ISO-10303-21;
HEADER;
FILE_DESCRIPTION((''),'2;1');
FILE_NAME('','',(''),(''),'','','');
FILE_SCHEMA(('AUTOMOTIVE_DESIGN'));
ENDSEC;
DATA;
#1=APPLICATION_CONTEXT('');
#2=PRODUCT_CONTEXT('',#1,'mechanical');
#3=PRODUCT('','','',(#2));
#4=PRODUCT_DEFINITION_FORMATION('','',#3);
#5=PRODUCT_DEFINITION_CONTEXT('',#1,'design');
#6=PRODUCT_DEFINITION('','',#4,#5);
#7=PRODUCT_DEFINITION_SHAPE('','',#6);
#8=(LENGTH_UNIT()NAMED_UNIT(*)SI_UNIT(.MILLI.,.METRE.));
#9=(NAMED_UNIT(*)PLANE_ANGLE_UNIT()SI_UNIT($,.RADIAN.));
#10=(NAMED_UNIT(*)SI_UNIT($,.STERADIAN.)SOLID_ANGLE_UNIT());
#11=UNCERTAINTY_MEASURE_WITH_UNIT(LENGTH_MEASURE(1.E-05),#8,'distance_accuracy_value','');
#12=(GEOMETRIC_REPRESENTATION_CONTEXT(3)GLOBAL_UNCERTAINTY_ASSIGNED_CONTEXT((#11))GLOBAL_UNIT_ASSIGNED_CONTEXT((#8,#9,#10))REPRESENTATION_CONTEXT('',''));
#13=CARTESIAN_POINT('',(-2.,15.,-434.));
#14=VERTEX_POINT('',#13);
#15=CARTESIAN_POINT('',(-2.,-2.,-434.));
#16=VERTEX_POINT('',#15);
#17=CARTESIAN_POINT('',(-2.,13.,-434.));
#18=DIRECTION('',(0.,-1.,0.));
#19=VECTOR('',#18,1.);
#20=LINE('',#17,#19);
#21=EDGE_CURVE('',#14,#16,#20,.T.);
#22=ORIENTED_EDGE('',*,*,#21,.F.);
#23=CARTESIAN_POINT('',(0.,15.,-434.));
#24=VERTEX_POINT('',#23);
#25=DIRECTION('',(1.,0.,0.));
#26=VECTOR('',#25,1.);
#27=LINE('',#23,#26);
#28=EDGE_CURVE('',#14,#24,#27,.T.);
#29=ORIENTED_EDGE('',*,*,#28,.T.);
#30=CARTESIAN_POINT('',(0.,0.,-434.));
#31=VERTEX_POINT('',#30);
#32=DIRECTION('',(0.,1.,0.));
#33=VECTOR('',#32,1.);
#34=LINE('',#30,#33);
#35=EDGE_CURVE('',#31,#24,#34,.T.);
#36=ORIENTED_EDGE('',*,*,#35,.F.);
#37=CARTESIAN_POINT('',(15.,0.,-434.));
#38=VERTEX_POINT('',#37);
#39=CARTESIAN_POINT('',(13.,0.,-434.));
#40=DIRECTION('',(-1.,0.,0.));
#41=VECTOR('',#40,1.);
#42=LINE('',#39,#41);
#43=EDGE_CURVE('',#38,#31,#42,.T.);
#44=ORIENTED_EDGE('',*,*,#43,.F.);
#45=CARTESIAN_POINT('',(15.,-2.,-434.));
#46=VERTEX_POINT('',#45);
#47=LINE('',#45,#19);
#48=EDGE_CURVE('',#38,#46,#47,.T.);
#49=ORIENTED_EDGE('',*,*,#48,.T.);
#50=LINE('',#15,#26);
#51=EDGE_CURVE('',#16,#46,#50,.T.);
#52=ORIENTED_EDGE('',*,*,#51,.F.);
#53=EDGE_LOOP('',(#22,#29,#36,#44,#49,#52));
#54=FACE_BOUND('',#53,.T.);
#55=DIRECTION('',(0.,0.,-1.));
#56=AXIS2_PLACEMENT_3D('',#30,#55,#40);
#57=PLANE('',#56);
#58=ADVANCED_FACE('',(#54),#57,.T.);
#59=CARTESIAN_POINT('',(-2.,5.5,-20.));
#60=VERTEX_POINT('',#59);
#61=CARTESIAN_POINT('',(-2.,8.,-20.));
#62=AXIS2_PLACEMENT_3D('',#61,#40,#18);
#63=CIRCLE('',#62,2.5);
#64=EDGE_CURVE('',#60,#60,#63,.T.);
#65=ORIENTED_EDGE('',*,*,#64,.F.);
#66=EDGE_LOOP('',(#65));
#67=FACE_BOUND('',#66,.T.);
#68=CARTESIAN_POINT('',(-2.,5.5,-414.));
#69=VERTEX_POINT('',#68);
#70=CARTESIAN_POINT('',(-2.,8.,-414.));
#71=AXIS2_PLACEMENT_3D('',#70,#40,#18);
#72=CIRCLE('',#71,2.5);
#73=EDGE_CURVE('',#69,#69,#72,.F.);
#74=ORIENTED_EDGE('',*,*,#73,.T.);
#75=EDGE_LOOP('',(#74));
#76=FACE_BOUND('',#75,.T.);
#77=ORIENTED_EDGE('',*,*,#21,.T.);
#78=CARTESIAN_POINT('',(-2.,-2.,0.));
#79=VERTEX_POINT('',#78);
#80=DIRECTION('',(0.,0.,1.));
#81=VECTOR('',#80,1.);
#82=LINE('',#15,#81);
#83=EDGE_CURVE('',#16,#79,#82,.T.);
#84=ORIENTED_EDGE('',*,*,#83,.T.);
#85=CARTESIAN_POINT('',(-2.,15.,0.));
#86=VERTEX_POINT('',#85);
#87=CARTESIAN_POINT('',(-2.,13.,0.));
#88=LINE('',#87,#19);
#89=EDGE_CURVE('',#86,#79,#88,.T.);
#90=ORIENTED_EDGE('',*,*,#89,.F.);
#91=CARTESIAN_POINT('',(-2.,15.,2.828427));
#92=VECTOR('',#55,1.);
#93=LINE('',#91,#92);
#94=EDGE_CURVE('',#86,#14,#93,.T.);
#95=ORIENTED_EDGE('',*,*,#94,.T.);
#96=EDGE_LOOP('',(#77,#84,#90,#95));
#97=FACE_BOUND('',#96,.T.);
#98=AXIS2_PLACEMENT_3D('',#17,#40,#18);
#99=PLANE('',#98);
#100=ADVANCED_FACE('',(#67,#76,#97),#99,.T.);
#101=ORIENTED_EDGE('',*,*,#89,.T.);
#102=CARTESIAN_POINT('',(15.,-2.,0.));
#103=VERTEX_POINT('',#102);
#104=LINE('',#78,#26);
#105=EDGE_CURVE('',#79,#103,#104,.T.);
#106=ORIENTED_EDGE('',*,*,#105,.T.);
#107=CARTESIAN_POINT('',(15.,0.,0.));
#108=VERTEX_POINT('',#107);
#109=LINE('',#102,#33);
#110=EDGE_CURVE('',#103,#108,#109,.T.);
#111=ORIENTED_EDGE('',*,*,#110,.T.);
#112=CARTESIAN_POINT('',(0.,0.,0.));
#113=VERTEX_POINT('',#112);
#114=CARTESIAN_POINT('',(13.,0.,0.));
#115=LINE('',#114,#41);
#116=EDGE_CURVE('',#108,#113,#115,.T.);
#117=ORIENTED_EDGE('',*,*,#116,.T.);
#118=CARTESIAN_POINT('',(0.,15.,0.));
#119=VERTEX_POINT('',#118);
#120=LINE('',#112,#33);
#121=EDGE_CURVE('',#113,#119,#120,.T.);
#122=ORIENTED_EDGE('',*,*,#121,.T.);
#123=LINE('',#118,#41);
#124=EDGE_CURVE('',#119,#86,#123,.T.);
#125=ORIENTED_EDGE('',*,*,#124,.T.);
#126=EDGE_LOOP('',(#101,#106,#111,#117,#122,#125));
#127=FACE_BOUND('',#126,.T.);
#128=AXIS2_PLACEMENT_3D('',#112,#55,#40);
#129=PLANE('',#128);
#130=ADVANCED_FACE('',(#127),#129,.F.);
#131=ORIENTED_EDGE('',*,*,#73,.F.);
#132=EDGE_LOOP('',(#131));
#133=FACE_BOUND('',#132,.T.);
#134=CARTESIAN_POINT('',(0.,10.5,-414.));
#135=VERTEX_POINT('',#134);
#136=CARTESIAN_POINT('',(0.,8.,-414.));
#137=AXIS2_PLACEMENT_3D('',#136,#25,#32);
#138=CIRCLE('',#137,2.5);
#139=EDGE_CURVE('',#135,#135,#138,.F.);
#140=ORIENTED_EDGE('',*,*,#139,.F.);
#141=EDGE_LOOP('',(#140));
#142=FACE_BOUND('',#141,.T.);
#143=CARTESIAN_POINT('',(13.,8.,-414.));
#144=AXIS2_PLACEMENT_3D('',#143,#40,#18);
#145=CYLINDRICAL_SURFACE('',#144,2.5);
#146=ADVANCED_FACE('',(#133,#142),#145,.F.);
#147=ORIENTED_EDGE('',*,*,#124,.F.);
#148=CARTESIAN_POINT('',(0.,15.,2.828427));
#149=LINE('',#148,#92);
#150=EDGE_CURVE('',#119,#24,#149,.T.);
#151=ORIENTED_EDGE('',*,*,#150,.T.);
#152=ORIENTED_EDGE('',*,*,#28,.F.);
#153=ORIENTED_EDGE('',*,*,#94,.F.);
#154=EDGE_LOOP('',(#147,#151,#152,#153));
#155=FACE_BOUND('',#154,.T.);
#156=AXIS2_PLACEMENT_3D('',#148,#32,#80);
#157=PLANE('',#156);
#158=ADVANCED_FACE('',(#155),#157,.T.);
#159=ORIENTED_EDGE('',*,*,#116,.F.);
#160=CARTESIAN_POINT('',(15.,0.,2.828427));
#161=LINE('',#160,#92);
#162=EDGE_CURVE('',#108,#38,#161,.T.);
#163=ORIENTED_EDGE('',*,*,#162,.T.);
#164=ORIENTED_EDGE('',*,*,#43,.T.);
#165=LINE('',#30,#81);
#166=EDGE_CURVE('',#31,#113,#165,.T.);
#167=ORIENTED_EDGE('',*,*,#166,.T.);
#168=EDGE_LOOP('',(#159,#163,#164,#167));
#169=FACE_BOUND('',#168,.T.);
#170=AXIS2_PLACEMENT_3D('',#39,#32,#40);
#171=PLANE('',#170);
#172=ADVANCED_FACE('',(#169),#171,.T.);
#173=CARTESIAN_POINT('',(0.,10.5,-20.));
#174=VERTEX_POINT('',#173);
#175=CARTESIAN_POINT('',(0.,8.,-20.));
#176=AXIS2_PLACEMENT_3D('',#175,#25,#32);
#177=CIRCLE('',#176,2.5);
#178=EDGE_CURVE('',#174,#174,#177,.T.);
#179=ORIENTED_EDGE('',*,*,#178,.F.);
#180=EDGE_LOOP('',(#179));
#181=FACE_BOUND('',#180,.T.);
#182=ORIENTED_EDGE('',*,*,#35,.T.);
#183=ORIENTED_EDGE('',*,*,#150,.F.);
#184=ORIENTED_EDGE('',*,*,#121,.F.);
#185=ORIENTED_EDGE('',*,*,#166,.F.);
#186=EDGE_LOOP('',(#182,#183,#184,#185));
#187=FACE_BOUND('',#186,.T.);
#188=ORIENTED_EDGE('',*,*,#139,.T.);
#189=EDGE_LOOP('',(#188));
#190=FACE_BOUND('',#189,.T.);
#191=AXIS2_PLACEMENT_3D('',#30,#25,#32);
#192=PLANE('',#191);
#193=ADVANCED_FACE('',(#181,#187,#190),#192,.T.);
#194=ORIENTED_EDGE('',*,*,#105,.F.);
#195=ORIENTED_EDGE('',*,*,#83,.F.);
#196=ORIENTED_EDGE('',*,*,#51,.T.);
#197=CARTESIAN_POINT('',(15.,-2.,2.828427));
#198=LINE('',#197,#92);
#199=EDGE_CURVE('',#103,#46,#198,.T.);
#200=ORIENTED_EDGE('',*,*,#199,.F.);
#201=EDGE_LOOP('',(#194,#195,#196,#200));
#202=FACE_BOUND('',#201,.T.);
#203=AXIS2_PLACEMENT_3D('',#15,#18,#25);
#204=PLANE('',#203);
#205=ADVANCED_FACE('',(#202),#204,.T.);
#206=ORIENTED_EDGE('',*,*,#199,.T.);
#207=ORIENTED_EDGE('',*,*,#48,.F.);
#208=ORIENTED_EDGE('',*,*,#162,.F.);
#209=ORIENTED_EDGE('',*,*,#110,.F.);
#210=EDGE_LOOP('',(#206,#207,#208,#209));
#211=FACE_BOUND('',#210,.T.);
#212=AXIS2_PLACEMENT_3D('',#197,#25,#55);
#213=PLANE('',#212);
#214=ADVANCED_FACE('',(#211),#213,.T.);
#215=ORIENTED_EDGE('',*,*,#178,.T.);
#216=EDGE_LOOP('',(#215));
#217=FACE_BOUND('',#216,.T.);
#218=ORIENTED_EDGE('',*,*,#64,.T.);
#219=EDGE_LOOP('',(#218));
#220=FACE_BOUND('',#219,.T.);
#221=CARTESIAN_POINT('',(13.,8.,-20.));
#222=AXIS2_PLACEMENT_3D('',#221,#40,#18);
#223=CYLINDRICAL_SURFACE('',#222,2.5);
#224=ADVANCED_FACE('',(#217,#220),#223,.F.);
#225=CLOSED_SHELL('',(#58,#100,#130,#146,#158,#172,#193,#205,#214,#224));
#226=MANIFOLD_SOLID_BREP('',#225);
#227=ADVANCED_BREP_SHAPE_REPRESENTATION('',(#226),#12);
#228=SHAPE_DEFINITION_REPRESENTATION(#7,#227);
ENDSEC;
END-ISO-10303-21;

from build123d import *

# Parameters (mm, degrees)
EXTRUDE_1_DEPTH     = 434
SKETCH_2_R          = 2.5
CUT_EXTRUDE_1_DEPTH = 435.453679925
SKETCH_3_W          = 2
SKETCH_3_H          = 2
EXTRUDE_2_DEPTH     = 434


with BuildPart() as part:
    # Эскиз1 → Бобышка-Вытянуть1 (new body)
    with BuildSketch(Plane.XY):
        Polygon((0, 0), (0, 13), (-2, 13), (-2, -2), (13, -2), (13, 0), align=None)
    extrude(amount=-EXTRUDE_1_DEPTH)

    # Эскиз2 → Вырез-Вытянуть1 (cut, through all)
    with BuildSketch(Plane.ZY.offset(2)):
        with Locations(Location((-20, 8, 0), (0, 0, 270))):
            Circle(SKETCH_2_R)
        with Locations(Location((-414, 8, 0), (0, 0, 270))):
            Circle(SKETCH_2_R)
    extrude(amount=-CUT_EXTRUDE_1_DEPTH, mode=Mode.SUBTRACT)

    # Эскиз3 → Бобышка-Вытянуть2 (add)
    with BuildSketch(Plane(origin=(0, 0, -434), x_dir=(-1, 0, 0), z_dir=(0, 0, -1))):
        with Locations((1, 14)):
            Rectangle(SKETCH_3_W, SKETCH_3_H)
        with Locations((-14, -1)):
            Rectangle(SKETCH_3_W, SKETCH_3_H)
    extrude(amount=-EXTRUDE_2_DEPTH)


solid = part.part
